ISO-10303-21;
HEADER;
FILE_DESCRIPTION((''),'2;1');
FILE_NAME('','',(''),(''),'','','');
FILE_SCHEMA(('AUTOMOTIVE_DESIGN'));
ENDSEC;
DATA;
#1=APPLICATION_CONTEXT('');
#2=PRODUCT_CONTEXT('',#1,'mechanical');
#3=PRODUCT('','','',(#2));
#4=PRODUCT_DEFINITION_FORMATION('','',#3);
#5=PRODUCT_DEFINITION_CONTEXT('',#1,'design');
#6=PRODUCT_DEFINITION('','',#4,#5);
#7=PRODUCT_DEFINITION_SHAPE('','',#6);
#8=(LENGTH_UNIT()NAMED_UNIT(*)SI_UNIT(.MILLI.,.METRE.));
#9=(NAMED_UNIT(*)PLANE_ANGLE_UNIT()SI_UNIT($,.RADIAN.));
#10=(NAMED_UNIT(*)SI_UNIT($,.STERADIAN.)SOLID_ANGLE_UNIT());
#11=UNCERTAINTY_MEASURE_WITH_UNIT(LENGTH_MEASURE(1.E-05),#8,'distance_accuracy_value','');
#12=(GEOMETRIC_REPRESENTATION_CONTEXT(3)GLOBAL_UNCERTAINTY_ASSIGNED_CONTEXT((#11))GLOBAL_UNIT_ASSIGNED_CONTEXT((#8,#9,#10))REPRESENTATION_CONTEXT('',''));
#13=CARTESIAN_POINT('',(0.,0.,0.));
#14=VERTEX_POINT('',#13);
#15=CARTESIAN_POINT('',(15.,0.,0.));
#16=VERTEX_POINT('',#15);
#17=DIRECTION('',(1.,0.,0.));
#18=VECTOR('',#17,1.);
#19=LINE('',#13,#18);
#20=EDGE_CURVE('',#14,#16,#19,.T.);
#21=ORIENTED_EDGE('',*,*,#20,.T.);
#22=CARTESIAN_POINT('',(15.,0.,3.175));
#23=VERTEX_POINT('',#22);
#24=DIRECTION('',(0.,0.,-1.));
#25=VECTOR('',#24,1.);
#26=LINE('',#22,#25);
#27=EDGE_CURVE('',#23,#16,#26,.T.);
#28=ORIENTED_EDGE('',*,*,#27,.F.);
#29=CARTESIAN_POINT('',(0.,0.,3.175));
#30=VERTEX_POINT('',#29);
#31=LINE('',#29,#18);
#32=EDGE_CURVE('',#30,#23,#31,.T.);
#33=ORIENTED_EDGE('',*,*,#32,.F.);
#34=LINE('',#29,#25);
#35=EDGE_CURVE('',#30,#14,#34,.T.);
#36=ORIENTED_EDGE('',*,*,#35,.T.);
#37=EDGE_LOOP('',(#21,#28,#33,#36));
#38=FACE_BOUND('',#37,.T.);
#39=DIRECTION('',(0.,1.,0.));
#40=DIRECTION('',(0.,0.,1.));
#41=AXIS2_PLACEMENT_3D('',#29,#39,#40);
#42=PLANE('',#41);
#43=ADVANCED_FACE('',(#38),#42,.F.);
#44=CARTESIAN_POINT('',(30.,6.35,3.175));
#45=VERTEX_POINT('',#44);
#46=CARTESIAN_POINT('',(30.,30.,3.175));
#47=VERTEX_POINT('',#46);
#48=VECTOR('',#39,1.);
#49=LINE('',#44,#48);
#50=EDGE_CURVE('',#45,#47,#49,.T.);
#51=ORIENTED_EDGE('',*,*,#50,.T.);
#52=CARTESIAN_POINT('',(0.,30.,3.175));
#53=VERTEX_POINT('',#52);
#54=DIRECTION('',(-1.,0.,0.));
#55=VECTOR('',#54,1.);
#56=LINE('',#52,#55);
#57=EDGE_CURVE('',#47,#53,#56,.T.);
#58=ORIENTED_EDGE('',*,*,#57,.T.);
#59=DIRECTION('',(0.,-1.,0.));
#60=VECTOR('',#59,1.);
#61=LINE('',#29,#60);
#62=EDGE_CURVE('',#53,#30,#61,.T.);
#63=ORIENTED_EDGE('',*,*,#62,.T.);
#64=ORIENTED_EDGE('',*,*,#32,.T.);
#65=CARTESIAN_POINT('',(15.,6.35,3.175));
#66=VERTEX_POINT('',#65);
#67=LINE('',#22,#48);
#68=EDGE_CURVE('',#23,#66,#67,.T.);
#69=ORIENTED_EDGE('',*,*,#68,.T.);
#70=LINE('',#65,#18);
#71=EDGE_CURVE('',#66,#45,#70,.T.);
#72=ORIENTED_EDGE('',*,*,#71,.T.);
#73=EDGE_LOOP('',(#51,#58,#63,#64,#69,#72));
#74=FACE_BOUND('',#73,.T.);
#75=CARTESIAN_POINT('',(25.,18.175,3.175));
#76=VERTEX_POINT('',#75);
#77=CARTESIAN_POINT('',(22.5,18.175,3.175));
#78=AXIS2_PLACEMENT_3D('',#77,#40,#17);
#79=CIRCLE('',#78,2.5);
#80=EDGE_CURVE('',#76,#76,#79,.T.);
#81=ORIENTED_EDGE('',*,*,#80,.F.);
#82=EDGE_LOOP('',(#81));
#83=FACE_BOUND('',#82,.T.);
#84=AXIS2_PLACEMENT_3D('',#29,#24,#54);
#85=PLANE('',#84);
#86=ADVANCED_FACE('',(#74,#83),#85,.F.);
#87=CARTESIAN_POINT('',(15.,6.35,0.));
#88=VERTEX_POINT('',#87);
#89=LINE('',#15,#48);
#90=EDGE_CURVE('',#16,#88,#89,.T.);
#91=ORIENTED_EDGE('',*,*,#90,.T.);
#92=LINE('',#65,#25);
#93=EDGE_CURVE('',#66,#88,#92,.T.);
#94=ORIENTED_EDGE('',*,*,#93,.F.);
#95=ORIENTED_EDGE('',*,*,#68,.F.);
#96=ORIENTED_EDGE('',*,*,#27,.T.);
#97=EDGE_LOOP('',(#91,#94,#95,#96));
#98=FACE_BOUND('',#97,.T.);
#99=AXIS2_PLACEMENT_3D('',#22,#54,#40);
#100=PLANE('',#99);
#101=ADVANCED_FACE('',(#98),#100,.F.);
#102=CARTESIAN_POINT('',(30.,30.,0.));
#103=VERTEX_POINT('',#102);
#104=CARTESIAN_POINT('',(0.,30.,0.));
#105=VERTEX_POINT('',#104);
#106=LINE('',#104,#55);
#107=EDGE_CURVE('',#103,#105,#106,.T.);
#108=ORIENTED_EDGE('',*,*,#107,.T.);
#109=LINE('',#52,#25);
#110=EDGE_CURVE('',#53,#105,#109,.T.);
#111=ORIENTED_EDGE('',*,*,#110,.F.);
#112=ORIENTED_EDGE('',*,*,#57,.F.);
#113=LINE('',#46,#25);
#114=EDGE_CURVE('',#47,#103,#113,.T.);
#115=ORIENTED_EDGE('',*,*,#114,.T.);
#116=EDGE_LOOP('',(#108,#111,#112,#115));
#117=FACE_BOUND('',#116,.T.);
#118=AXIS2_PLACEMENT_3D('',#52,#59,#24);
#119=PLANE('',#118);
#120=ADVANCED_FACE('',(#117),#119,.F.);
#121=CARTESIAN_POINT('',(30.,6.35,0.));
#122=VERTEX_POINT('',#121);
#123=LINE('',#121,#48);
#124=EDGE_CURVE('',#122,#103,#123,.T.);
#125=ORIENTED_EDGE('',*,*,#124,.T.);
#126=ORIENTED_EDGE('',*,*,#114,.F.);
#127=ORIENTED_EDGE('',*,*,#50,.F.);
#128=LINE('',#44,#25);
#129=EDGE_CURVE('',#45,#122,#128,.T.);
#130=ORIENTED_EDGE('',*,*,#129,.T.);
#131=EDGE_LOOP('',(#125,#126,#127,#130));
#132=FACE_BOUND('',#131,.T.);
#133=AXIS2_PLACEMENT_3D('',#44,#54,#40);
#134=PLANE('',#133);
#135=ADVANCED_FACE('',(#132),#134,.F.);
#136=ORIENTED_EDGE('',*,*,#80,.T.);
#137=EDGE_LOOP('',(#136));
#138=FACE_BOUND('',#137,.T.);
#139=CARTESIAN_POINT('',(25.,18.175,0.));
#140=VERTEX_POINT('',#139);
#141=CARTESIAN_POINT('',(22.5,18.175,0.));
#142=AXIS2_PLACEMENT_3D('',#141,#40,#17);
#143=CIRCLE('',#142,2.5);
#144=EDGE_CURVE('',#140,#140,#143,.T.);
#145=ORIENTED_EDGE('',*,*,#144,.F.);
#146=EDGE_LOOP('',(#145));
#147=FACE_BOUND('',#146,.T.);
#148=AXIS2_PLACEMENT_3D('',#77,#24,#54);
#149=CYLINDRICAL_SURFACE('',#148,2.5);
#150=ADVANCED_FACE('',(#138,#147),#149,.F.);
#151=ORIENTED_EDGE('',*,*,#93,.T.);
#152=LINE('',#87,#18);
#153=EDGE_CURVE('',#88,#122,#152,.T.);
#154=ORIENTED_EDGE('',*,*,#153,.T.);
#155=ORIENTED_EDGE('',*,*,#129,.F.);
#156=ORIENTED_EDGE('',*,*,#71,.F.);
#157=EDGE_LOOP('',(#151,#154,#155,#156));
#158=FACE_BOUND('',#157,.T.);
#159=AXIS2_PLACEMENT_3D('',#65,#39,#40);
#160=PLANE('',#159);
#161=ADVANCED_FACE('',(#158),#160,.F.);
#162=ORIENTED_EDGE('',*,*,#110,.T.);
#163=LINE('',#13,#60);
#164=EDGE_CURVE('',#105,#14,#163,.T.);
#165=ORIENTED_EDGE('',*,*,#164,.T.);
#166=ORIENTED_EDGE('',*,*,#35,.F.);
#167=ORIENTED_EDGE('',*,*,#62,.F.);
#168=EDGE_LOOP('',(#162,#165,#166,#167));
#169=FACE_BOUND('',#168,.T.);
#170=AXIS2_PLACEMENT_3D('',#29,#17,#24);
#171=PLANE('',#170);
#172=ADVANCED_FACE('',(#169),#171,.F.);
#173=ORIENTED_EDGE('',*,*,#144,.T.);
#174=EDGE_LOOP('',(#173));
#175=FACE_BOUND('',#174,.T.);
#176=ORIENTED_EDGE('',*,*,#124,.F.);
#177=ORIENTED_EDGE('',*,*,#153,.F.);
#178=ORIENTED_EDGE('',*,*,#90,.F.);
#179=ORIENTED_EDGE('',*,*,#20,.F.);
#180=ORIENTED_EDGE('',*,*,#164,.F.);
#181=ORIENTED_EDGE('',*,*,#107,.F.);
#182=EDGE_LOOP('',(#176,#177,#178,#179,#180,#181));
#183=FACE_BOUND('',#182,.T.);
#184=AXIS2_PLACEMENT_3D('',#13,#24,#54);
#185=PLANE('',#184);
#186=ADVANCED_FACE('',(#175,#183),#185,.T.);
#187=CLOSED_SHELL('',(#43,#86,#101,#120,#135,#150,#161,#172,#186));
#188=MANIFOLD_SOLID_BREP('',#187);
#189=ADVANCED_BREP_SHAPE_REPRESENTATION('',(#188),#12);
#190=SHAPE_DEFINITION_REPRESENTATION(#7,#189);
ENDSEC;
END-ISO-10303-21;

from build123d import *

# Parameters (mm, degrees)
SKETCH1_R           = 2.5
BOSS_EXTRUDE1_DEPTH = 3.175


with BuildPart() as part:
    # Sketch1 → Boss-Extrude1 (new body)
    with BuildSketch(Plane.XY):
        Polygon((15, 0), (15, 6.35), (30, 6.35), (30, 30), (0, 30), (0, 0), align=None)
        with Locations((22.5, 18.175)):
            Circle(SKETCH1_R, mode=Mode.SUBTRACT)
    extrude(amount=BOSS_EXTRUDE1_DEPTH)


solid = part.part
